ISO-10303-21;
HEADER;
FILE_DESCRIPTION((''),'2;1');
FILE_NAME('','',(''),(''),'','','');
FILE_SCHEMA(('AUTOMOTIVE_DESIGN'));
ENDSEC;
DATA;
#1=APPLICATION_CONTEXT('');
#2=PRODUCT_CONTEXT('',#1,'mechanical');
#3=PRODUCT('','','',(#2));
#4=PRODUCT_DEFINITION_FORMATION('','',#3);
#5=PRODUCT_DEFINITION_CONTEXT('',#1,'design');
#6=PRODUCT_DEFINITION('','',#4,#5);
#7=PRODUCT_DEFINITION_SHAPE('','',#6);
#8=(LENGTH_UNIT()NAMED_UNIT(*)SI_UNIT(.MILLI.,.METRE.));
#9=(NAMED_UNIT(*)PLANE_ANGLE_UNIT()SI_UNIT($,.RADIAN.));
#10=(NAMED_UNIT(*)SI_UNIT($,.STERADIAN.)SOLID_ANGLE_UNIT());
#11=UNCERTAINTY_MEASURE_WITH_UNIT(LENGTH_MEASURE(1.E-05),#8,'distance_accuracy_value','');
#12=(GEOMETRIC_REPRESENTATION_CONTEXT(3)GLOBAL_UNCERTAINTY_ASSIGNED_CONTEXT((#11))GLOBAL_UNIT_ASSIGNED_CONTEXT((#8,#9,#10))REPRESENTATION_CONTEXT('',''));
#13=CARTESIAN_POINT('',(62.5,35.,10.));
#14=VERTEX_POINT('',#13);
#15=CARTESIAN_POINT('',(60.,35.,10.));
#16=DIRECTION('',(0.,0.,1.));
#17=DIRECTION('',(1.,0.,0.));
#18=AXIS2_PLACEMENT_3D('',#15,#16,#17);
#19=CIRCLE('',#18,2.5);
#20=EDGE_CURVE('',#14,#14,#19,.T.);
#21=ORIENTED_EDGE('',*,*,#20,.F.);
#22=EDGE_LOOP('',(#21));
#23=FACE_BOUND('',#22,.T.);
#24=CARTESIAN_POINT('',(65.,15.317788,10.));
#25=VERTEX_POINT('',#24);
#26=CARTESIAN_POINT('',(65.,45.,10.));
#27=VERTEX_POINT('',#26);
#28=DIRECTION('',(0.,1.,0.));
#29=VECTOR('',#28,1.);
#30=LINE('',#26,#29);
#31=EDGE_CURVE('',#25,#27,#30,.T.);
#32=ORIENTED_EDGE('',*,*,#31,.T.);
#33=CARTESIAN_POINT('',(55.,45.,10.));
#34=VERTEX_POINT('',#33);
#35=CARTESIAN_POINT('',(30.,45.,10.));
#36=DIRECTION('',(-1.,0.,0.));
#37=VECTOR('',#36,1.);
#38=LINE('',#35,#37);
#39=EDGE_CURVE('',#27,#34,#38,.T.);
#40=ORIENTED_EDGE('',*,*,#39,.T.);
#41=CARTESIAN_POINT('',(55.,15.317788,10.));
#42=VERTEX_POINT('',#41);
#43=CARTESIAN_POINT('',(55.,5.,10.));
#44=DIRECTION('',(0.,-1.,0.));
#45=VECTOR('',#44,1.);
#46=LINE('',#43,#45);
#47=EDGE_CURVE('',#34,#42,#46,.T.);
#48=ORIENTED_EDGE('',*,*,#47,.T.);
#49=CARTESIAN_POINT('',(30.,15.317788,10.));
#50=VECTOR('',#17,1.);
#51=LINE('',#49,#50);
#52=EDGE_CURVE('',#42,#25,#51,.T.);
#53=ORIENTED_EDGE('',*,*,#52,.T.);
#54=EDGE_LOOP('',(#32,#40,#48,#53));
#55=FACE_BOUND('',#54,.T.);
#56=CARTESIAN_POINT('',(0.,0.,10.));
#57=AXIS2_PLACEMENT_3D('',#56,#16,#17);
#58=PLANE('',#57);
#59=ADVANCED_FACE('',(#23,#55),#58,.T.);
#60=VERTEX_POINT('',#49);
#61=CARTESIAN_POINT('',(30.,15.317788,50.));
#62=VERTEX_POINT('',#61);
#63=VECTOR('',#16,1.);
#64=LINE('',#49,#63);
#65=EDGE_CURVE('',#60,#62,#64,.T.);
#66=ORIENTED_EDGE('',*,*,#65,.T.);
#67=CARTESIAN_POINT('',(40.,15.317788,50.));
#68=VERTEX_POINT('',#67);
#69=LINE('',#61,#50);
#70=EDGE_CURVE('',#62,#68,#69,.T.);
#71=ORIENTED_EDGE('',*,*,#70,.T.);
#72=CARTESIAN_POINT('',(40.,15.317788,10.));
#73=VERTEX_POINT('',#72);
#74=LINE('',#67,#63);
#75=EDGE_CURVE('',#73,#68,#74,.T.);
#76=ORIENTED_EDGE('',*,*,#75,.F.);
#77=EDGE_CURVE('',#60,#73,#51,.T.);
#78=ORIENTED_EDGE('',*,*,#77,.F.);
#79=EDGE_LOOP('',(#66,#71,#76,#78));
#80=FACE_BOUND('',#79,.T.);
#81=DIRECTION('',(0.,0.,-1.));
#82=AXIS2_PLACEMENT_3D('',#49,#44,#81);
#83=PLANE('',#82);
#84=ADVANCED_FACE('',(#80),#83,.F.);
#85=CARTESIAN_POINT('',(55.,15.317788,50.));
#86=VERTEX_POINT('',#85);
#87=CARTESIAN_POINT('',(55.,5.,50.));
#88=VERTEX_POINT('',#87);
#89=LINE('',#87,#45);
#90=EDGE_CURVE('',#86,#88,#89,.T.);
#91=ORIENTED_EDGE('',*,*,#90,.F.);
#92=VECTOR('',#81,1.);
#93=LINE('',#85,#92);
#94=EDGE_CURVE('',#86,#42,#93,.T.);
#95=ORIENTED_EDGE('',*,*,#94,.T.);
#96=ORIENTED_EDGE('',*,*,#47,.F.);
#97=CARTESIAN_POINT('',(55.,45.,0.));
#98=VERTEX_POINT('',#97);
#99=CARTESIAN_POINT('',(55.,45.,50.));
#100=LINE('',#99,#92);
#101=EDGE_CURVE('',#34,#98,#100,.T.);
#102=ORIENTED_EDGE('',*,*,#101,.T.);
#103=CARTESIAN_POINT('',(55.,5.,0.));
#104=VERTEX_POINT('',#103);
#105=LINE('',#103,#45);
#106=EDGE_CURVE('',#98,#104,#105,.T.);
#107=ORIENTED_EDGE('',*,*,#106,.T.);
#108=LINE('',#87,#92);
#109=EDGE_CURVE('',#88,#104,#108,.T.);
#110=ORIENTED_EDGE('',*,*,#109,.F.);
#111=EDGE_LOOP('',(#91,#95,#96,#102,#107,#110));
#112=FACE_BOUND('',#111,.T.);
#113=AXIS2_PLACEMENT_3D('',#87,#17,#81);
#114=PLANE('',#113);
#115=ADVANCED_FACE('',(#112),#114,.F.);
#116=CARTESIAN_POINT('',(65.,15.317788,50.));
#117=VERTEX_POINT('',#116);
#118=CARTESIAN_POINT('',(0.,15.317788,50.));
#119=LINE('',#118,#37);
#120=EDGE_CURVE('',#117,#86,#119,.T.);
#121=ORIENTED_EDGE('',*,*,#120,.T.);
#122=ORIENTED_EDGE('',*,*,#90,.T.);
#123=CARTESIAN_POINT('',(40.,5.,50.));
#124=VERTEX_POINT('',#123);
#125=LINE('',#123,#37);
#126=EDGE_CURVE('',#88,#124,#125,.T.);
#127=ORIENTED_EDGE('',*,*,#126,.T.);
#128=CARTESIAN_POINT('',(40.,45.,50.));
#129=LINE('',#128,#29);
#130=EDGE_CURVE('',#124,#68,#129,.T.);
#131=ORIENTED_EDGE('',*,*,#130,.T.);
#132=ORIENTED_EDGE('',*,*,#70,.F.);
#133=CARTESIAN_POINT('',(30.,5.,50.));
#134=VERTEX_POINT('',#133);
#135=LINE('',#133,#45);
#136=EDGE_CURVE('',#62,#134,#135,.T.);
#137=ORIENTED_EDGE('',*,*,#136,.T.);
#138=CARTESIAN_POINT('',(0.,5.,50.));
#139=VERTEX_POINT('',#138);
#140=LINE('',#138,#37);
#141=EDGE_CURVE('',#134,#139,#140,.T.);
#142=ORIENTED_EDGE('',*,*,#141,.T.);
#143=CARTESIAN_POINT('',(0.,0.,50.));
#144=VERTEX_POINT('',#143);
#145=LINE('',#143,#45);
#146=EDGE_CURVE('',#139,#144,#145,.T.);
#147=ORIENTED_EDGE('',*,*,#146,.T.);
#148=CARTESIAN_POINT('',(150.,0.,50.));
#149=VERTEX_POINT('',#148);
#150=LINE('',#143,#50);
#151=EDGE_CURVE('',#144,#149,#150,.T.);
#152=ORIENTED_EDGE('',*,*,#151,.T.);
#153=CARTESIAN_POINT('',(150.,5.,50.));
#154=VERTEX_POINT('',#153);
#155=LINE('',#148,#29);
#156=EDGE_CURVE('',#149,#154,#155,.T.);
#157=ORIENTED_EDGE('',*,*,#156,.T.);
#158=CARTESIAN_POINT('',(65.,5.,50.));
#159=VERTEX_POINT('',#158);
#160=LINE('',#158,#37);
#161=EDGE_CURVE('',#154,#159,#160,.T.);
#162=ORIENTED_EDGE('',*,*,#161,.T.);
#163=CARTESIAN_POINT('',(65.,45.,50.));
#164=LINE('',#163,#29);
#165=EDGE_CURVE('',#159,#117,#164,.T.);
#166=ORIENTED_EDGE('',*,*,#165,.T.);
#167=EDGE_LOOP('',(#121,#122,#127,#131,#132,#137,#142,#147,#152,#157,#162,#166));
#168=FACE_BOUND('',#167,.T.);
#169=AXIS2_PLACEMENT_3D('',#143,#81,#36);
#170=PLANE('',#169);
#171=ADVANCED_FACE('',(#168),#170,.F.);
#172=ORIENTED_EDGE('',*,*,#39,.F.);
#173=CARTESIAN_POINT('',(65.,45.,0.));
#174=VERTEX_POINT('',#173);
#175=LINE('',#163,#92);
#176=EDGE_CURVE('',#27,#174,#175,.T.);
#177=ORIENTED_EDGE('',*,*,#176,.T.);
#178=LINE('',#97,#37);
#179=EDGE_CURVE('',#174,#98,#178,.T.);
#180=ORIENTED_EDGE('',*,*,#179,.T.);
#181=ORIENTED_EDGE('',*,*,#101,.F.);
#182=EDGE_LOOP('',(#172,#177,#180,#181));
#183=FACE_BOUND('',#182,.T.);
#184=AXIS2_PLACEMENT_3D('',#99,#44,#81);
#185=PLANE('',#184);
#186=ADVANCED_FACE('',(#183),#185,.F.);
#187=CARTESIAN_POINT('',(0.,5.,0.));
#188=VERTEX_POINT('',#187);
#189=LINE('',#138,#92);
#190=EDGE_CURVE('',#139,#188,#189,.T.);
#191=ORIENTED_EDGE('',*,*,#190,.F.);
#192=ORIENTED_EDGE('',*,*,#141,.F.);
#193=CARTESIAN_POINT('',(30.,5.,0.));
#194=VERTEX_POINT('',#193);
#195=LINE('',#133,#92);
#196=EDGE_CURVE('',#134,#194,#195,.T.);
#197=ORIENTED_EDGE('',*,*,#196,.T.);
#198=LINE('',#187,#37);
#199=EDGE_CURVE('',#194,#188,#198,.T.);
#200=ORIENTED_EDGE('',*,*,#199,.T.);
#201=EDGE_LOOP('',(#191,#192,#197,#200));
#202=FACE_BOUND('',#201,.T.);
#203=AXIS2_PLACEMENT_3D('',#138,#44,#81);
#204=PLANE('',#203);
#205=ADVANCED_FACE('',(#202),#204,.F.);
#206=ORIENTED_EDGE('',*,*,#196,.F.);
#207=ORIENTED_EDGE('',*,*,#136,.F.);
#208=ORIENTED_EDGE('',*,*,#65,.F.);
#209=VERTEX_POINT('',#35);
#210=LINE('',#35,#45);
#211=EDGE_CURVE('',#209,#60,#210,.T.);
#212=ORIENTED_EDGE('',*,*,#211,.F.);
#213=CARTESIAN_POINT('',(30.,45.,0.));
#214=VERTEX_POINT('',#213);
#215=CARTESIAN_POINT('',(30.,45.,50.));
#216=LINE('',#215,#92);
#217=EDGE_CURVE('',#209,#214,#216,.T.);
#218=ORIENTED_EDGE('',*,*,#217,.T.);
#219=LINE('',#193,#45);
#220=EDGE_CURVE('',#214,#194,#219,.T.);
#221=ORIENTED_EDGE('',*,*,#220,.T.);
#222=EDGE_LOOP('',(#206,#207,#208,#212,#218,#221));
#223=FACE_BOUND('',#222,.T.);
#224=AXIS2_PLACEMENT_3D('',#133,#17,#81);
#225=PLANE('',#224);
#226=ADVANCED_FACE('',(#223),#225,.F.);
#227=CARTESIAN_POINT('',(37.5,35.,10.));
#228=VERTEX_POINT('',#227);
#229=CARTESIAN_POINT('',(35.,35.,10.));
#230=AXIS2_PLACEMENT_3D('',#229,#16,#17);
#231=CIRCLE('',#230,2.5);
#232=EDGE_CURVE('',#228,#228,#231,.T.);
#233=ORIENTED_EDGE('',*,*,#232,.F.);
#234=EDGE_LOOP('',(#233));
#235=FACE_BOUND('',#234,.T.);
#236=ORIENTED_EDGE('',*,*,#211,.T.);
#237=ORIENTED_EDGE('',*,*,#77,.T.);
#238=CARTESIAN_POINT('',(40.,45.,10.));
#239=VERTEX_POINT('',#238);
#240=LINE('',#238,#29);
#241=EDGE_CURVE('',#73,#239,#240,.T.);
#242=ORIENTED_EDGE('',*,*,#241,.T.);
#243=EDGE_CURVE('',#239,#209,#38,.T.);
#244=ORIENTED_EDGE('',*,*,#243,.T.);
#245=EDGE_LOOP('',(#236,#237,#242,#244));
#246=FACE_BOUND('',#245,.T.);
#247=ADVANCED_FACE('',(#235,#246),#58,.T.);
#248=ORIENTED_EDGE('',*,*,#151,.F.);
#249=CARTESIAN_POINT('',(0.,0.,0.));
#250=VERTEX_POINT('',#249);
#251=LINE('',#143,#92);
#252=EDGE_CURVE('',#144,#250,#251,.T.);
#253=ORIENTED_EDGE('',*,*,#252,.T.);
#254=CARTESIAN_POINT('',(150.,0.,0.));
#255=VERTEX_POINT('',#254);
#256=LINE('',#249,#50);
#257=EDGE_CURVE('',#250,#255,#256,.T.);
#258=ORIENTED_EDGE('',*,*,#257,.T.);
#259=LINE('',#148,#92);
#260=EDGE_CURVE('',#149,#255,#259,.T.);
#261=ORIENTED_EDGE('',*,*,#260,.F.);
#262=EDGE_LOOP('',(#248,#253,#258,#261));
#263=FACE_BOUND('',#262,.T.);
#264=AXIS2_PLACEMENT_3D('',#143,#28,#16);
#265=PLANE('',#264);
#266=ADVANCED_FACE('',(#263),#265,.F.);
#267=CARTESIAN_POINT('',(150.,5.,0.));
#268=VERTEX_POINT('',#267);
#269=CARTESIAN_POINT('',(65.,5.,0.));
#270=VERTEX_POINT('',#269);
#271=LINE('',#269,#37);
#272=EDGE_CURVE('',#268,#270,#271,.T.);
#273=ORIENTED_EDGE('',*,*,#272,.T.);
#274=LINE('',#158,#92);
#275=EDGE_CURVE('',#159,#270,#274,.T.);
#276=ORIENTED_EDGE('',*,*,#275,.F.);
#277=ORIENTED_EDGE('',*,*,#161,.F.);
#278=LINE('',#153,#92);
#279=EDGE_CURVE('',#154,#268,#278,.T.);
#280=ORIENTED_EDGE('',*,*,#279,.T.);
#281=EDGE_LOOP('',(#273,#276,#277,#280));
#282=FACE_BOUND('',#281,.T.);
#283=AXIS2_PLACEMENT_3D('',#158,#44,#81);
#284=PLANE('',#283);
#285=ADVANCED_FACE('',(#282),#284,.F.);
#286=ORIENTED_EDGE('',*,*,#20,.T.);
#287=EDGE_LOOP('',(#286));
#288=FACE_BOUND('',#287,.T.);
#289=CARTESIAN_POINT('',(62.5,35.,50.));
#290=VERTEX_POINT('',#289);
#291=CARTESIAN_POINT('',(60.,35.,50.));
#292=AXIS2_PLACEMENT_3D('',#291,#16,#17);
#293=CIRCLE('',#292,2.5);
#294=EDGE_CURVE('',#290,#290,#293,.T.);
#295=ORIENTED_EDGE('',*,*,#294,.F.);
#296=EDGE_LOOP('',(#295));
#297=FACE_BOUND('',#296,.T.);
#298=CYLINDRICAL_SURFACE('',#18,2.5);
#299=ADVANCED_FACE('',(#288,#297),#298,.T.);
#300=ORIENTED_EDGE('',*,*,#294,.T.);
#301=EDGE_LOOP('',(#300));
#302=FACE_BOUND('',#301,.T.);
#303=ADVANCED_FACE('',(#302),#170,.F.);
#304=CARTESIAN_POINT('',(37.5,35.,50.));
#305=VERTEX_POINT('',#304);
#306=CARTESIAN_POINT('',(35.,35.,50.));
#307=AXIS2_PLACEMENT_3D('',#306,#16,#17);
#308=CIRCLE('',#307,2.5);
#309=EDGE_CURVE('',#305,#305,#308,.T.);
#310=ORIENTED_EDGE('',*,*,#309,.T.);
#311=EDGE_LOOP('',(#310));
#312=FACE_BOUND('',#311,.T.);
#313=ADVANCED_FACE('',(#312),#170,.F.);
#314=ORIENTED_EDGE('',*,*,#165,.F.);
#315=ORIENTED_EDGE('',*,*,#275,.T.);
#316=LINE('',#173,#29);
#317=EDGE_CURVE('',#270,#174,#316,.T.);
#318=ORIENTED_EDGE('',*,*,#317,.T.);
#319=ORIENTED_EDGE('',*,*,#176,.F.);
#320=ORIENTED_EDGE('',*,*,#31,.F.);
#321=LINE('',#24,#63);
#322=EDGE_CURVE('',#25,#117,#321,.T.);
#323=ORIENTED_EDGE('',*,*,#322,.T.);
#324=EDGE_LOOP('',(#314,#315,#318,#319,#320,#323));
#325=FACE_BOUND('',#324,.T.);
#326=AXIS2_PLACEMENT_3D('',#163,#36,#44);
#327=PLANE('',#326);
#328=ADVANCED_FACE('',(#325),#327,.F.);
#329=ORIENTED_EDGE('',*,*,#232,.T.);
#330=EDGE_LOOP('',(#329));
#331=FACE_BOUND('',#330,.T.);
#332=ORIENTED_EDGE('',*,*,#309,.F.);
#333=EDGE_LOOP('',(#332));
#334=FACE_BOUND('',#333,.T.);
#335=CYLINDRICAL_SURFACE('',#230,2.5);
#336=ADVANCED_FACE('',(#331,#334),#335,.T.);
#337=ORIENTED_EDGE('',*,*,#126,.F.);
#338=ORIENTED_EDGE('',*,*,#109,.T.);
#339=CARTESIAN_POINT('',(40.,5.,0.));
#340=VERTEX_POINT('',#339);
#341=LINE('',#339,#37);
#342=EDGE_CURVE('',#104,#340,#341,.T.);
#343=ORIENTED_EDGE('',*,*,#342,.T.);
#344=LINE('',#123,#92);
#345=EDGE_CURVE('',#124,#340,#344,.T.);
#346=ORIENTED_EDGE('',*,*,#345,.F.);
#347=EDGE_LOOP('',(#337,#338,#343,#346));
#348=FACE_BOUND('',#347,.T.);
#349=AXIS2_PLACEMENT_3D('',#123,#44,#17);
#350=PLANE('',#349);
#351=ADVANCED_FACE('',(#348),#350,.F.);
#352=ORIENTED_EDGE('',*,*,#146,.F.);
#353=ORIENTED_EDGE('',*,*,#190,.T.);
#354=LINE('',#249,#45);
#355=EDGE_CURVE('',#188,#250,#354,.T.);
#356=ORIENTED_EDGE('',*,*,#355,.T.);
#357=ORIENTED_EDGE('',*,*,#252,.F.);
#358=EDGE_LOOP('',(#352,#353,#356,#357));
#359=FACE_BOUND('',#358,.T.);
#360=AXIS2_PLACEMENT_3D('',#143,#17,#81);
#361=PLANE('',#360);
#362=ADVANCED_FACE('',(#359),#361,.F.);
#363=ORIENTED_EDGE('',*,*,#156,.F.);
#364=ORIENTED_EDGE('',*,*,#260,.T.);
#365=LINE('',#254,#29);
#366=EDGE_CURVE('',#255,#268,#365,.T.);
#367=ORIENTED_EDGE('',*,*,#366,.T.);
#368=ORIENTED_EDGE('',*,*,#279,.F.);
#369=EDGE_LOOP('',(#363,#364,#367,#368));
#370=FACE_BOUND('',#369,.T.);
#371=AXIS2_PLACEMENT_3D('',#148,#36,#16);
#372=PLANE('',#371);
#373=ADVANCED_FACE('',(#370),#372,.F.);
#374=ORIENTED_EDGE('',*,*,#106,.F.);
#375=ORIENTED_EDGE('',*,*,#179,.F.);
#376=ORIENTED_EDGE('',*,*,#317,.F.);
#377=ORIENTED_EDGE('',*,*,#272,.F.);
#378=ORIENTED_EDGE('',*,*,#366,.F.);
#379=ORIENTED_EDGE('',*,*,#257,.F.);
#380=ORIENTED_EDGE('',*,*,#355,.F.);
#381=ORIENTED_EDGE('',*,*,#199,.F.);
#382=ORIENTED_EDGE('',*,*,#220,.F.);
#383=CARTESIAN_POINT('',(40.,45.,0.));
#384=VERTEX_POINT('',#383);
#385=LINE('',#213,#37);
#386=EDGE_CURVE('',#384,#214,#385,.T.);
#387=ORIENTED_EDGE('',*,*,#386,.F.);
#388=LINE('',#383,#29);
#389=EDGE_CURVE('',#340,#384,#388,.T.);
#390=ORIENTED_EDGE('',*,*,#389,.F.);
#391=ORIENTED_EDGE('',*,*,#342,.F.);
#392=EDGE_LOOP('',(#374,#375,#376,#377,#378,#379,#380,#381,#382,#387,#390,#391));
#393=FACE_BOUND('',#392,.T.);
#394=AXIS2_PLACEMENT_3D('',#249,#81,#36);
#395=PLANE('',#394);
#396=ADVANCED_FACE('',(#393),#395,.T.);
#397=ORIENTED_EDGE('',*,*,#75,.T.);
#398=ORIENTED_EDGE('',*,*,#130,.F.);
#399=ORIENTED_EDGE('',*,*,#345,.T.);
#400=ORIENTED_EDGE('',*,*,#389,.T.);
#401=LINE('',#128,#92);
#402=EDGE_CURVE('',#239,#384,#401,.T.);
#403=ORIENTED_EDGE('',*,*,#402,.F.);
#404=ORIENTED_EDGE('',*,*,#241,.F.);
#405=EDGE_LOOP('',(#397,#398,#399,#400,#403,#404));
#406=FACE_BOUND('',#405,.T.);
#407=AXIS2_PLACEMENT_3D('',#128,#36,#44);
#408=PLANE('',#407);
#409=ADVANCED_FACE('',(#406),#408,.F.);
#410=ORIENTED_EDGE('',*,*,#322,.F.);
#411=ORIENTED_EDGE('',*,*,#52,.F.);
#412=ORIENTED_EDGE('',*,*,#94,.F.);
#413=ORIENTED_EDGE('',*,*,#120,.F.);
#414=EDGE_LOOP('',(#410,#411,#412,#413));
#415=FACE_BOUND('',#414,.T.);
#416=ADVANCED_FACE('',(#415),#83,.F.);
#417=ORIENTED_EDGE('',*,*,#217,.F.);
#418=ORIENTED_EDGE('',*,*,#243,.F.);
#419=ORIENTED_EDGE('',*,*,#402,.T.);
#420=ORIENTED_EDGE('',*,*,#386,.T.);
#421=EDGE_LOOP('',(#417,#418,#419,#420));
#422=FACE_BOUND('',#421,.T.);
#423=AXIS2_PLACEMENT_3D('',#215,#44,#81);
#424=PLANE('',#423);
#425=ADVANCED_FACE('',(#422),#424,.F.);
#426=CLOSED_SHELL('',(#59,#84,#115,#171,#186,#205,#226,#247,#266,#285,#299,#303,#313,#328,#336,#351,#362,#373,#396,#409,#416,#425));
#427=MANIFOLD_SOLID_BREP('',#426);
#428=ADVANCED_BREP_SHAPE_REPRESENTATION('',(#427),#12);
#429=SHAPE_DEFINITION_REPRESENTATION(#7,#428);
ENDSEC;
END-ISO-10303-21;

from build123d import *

# Parameters (mm, degrees)
BOSS_EXTRUDE1_DEPTH = 50
SKETCH2_W           = 35
SKETCH2_H           = 29.682212161
SKETCH2_R           = 2.5
CUT_EXTRUDE1_DEPTH  = 40


with BuildPart() as part:
    # Sketch1 → Boss-Extrude1 (new body)
    with BuildSketch(Plane.XY):
        Polygon((0, 5), (30, 5), (30, 45), (40, 45), (40, 5), (55, 5), (55, 45), (65, 45), (65, 5), (150, 5), (150, 0), (0, 0), align=None)
    extrude(amount=BOSS_EXTRUDE1_DEPTH)

    # Sketch2 → Cut-Extrude1 (cut)
    with BuildSketch(Plane.XY.offset(50)):
        with Locations((47.5, 30.15889392)):
            Rectangle(SKETCH2_W, SKETCH2_H)
        with Locations((35, 35)):
            Circle(SKETCH2_R, mode=Mode.SUBTRACT)
        with Locations((60, 35)):
            Circle(SKETCH2_R, mode=Mode.SUBTRACT)
    extrude(amount=-CUT_EXTRUDE1_DEPTH, mode=Mode.SUBTRACT)


solid = part.part
